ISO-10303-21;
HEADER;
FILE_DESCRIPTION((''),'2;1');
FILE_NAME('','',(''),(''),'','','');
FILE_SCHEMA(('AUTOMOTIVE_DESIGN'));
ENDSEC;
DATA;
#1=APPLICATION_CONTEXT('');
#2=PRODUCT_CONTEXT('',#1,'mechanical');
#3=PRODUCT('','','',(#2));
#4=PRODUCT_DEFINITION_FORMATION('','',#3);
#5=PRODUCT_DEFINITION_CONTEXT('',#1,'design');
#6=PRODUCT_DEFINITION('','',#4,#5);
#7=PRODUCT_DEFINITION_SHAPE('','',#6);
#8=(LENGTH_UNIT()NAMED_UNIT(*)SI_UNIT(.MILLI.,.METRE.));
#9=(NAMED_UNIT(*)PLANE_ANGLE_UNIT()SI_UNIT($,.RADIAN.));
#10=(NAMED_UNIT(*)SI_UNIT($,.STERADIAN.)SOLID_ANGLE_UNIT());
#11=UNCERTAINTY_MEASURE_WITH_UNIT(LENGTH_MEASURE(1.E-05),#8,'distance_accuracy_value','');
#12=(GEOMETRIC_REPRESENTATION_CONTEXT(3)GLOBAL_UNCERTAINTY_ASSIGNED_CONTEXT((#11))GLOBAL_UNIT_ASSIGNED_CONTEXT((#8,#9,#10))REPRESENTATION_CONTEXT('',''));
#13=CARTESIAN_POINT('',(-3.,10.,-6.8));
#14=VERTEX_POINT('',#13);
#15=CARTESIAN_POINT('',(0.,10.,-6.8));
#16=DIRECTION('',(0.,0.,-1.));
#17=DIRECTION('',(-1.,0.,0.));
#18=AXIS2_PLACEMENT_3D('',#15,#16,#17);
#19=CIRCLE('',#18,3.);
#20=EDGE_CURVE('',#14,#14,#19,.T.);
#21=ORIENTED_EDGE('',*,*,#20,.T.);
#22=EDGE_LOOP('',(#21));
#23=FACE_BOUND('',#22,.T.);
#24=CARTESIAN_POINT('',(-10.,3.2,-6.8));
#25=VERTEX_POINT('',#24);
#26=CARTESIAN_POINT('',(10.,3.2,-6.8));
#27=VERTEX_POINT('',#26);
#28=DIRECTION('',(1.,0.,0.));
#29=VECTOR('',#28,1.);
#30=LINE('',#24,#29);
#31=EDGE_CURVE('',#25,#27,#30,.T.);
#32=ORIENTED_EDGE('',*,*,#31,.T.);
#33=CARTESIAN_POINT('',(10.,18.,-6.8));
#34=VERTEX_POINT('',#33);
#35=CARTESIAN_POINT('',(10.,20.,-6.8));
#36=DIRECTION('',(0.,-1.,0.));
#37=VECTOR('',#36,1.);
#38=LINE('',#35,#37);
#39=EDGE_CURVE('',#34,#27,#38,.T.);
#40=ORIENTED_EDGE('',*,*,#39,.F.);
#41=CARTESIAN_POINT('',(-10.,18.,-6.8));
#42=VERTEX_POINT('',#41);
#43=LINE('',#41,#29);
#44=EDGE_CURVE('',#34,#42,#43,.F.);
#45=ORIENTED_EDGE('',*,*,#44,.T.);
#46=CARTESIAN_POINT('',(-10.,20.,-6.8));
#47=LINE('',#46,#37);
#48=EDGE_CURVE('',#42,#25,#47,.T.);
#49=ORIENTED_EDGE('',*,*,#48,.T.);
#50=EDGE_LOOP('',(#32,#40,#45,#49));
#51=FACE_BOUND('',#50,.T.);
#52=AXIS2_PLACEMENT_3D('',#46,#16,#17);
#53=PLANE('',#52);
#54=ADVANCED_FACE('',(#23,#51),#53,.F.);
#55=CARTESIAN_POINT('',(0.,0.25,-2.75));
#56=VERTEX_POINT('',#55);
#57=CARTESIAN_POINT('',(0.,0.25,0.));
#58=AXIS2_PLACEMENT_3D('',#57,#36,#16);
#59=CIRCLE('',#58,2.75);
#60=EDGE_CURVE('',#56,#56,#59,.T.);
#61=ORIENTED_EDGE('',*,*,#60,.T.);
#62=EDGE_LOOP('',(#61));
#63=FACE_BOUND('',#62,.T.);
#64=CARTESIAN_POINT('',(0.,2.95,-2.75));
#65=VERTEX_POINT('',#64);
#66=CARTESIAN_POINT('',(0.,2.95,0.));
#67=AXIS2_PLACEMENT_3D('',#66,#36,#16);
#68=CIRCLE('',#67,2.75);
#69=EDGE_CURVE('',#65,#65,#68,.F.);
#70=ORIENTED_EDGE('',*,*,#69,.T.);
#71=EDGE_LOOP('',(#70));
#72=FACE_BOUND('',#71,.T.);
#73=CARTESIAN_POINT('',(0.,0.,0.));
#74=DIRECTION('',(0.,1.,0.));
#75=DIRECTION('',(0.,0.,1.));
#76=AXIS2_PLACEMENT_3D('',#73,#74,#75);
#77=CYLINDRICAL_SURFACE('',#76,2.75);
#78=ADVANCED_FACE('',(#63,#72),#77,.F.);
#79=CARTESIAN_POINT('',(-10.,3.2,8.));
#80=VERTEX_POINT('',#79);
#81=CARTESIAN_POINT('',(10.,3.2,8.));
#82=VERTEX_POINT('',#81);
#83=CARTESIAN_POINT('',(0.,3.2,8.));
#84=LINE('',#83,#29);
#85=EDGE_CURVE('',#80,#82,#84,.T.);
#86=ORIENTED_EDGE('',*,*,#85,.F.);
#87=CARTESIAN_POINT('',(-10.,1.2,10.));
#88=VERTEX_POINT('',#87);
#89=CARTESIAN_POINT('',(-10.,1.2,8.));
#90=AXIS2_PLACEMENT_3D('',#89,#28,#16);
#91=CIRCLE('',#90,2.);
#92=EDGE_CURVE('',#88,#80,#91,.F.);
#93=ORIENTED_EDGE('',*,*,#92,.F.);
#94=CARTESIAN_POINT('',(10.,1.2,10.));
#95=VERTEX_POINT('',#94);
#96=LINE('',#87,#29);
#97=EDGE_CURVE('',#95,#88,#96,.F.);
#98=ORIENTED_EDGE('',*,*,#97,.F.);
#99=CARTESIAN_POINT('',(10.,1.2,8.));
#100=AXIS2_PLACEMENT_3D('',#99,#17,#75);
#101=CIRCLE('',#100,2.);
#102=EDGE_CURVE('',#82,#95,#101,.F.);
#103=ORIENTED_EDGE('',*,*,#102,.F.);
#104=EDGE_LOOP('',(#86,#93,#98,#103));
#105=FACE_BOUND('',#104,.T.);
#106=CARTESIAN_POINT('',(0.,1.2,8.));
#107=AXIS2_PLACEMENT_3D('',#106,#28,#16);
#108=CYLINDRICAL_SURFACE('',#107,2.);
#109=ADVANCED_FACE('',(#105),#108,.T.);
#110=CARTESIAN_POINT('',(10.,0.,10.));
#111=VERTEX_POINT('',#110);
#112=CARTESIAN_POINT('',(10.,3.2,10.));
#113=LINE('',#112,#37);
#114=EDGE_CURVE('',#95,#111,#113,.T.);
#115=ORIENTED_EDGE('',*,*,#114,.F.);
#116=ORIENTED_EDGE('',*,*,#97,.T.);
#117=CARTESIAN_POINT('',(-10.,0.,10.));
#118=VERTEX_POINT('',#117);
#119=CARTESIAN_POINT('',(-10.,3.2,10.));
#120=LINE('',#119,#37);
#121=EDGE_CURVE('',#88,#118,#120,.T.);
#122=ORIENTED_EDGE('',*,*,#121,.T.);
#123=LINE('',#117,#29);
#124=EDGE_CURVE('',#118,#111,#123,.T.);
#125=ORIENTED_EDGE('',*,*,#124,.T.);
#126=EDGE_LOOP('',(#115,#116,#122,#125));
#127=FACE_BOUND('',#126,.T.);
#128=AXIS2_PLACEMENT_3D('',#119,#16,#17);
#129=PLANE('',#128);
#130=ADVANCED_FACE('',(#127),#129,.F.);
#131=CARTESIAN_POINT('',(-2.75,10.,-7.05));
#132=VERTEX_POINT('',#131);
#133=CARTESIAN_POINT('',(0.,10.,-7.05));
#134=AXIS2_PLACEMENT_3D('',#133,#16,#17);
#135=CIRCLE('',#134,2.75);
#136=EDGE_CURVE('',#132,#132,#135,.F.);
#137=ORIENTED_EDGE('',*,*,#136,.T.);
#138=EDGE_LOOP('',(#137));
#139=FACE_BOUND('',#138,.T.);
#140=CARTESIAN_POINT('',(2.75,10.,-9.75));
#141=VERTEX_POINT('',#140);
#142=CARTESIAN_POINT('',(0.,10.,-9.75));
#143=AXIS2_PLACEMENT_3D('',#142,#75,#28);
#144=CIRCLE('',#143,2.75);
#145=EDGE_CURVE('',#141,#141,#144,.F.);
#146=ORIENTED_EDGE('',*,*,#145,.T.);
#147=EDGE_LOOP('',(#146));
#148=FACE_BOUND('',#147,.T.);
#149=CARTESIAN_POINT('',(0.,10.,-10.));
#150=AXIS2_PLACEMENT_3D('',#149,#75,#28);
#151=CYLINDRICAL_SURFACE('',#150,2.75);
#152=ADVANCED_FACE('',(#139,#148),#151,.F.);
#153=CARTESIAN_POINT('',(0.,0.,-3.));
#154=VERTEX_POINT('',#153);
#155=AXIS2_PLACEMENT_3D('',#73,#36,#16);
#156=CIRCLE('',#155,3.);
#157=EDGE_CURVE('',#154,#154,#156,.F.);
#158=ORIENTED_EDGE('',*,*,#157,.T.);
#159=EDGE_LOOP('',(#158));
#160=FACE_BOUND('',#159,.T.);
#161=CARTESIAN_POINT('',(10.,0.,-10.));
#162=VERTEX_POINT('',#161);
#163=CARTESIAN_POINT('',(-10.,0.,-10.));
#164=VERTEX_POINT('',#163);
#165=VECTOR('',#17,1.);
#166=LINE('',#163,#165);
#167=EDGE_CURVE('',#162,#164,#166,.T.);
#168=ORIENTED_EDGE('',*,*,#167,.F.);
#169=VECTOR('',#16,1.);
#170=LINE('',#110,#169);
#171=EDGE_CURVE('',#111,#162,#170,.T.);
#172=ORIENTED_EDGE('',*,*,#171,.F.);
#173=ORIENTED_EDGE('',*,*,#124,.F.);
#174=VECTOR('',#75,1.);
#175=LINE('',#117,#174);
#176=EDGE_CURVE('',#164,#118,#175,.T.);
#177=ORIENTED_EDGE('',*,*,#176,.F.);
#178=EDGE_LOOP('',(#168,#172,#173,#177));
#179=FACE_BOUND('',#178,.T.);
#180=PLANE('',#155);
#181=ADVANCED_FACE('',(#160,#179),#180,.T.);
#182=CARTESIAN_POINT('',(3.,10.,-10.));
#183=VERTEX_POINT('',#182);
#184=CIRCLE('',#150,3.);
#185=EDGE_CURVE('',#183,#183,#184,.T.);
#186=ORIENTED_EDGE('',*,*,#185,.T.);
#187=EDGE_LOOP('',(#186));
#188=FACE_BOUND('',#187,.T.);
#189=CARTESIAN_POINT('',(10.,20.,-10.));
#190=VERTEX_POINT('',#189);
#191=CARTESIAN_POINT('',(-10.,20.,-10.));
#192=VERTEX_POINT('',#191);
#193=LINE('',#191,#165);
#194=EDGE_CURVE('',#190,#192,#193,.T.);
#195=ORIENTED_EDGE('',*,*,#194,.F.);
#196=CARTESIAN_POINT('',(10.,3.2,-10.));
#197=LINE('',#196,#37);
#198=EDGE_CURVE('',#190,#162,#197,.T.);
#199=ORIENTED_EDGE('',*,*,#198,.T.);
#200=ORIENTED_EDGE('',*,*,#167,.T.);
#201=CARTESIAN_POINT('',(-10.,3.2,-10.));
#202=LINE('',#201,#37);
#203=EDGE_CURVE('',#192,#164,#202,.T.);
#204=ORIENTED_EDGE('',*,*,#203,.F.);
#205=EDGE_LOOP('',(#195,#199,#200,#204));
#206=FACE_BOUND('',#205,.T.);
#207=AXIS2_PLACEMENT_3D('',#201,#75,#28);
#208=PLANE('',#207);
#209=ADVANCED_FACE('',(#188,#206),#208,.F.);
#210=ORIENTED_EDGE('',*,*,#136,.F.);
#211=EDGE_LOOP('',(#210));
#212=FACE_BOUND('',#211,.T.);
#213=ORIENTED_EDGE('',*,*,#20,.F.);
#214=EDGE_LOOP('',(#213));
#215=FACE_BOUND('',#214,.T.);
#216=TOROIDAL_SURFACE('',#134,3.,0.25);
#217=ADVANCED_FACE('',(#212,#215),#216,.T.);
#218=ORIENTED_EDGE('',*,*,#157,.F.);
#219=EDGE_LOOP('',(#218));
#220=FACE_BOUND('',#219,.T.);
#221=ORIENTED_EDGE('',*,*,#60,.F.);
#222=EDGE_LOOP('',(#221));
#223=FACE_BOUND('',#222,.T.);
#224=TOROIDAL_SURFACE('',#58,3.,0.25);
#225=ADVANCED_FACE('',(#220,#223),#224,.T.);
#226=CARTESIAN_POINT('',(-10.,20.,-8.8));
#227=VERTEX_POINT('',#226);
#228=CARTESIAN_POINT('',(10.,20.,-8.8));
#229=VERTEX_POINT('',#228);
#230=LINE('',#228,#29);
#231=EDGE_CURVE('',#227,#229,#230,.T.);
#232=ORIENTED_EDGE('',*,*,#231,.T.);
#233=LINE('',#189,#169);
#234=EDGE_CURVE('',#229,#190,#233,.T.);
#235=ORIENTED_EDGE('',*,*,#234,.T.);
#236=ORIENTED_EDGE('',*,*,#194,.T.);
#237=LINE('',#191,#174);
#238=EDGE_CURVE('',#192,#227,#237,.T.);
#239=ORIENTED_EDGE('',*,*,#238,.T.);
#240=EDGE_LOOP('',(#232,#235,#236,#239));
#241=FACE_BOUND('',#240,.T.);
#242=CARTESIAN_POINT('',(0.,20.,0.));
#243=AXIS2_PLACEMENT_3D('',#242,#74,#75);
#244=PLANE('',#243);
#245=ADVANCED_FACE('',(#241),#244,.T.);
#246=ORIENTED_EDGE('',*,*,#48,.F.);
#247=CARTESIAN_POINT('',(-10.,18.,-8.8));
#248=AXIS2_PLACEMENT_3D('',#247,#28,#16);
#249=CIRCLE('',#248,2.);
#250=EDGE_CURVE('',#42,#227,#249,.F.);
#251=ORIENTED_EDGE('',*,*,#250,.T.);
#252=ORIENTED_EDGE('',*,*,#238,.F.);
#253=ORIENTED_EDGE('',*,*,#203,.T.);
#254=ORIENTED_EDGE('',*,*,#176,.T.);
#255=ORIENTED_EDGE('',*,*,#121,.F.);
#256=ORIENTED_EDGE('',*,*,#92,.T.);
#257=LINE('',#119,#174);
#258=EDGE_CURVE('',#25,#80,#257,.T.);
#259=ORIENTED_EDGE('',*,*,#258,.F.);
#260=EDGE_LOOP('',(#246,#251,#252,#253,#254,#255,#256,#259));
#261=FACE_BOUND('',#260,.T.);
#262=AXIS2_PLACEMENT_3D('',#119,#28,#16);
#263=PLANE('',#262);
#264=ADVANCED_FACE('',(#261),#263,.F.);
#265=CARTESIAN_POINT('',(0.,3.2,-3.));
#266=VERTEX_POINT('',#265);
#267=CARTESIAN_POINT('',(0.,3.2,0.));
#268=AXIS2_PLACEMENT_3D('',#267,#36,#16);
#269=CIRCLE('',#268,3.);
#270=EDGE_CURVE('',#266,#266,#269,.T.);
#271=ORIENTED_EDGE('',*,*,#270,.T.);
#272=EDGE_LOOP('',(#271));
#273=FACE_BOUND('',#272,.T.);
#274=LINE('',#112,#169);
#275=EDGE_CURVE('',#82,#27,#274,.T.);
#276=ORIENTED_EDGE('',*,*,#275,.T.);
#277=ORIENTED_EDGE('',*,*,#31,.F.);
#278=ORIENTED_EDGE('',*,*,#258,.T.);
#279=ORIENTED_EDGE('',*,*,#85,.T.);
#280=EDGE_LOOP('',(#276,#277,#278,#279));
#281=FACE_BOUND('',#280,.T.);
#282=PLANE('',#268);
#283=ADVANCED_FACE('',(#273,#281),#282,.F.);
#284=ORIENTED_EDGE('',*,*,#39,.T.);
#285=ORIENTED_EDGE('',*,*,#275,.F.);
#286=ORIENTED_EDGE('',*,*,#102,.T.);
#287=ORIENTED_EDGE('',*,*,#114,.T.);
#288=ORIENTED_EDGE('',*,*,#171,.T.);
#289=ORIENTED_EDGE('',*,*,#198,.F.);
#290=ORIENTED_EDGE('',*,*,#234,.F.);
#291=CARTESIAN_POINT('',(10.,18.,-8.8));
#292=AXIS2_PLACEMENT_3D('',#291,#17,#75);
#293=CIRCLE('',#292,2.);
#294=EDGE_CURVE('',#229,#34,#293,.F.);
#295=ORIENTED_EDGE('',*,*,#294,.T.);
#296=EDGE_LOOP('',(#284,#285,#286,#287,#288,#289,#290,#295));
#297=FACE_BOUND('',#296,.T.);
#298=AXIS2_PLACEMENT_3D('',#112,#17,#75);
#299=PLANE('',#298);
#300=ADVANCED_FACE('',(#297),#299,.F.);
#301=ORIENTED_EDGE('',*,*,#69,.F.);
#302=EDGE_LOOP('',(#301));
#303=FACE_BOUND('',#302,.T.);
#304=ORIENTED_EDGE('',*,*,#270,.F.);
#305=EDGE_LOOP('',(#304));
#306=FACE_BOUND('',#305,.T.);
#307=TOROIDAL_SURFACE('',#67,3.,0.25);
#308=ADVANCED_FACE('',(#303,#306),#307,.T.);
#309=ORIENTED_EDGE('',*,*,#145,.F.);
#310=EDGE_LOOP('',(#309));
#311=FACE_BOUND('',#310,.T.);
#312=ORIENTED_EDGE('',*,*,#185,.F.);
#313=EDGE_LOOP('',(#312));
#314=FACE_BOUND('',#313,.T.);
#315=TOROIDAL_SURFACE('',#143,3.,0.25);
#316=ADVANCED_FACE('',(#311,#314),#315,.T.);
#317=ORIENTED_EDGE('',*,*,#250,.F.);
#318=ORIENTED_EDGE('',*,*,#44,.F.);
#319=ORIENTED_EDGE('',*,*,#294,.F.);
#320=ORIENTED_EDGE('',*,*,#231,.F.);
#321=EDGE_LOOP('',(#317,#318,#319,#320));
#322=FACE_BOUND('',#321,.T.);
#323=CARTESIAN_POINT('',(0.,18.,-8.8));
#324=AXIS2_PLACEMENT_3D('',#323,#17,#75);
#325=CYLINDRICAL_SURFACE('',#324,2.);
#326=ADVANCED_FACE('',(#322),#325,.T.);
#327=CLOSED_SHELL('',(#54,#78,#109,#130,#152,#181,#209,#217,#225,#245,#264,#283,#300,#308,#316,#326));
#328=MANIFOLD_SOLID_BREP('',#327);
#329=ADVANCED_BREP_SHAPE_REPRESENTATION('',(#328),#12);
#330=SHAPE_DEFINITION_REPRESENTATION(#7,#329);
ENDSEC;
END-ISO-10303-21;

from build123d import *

# Parameters (mm, degrees)
SKETCH1_W           = 20
SKETCH1_H           = 20
BOSS_EXTRUDE1_DEPTH = 3.2
SKETCH2_W           = 20
SKETCH2_H           = 3.2
BOSS_EXTRUDE2_DEPTH = 16.8
SKETCH3_R           = 2.75
CUT_EXTRUDE1_DEPTH  = 4.2
SKETCH4_R           = 2.75
CUT_EXTRUDE2_DEPTH  = 4.2
FILLET1_R           = 2
FILLET2_R           = 0.25


with BuildPart() as part:
    # Sketch1 → Boss-Extrude1 (new body)
    with BuildSketch(Plane(origin=(0, 0, 0), x_dir=(1, 0, 0), z_dir=(0, 1, 0))):
        Rectangle(SKETCH1_W, SKETCH1_H)
    extrude(amount=BOSS_EXTRUDE1_DEPTH)

    # Sketch2 → Boss-Extrude2 (add)
    with BuildSketch(Plane(origin=(0, 3.2, 0), x_dir=(1, 0, 0), z_dir=(0, 1, 0))):
        with Locations((0, 8.4)):
            Rectangle(SKETCH2_W, SKETCH2_H)
    extrude(amount=BOSS_EXTRUDE2_DEPTH)

    # Sketch3 → Cut-Extrude1 (cut, through all)
    with BuildSketch(Plane(origin=(0, 3.2, 0), x_dir=(1, 0, 0), z_dir=(0, 1, 0))):
        Circle(SKETCH3_R)
    extrude(amount=-CUT_EXTRUDE1_DEPTH, mode=Mode.SUBTRACT)

    # Sketch4 → Cut-Extrude2 (cut, through all)
    with BuildSketch(Plane.XY.offset(-6.8)):
        with Locations((0, 10)):
            Circle(SKETCH4_R)
    extrude(amount=-CUT_EXTRUDE2_DEPTH, mode=Mode.SUBTRACT)

    # Fillet1
    fillet1_edges = [part.edges().sort_by_distance(p)[0] for p in [
        (0, 3.2, 10),
        (0, 20, -6.8),
    ]]
    fillet(fillet1_edges, radius=FILLET1_R)

    # Fillet2
    fillet2_edges = [part.edges().sort_by_distance(p)[0] for p in [
        (-2.75, 0, 0),
        (-2.75, 3.2, 0),
        (-2.75, 10, -10),
        (-2.75, 10, -6.8),
    ]]
    fillet(fillet2_edges, radius=FILLET2_R)


solid = part.part
